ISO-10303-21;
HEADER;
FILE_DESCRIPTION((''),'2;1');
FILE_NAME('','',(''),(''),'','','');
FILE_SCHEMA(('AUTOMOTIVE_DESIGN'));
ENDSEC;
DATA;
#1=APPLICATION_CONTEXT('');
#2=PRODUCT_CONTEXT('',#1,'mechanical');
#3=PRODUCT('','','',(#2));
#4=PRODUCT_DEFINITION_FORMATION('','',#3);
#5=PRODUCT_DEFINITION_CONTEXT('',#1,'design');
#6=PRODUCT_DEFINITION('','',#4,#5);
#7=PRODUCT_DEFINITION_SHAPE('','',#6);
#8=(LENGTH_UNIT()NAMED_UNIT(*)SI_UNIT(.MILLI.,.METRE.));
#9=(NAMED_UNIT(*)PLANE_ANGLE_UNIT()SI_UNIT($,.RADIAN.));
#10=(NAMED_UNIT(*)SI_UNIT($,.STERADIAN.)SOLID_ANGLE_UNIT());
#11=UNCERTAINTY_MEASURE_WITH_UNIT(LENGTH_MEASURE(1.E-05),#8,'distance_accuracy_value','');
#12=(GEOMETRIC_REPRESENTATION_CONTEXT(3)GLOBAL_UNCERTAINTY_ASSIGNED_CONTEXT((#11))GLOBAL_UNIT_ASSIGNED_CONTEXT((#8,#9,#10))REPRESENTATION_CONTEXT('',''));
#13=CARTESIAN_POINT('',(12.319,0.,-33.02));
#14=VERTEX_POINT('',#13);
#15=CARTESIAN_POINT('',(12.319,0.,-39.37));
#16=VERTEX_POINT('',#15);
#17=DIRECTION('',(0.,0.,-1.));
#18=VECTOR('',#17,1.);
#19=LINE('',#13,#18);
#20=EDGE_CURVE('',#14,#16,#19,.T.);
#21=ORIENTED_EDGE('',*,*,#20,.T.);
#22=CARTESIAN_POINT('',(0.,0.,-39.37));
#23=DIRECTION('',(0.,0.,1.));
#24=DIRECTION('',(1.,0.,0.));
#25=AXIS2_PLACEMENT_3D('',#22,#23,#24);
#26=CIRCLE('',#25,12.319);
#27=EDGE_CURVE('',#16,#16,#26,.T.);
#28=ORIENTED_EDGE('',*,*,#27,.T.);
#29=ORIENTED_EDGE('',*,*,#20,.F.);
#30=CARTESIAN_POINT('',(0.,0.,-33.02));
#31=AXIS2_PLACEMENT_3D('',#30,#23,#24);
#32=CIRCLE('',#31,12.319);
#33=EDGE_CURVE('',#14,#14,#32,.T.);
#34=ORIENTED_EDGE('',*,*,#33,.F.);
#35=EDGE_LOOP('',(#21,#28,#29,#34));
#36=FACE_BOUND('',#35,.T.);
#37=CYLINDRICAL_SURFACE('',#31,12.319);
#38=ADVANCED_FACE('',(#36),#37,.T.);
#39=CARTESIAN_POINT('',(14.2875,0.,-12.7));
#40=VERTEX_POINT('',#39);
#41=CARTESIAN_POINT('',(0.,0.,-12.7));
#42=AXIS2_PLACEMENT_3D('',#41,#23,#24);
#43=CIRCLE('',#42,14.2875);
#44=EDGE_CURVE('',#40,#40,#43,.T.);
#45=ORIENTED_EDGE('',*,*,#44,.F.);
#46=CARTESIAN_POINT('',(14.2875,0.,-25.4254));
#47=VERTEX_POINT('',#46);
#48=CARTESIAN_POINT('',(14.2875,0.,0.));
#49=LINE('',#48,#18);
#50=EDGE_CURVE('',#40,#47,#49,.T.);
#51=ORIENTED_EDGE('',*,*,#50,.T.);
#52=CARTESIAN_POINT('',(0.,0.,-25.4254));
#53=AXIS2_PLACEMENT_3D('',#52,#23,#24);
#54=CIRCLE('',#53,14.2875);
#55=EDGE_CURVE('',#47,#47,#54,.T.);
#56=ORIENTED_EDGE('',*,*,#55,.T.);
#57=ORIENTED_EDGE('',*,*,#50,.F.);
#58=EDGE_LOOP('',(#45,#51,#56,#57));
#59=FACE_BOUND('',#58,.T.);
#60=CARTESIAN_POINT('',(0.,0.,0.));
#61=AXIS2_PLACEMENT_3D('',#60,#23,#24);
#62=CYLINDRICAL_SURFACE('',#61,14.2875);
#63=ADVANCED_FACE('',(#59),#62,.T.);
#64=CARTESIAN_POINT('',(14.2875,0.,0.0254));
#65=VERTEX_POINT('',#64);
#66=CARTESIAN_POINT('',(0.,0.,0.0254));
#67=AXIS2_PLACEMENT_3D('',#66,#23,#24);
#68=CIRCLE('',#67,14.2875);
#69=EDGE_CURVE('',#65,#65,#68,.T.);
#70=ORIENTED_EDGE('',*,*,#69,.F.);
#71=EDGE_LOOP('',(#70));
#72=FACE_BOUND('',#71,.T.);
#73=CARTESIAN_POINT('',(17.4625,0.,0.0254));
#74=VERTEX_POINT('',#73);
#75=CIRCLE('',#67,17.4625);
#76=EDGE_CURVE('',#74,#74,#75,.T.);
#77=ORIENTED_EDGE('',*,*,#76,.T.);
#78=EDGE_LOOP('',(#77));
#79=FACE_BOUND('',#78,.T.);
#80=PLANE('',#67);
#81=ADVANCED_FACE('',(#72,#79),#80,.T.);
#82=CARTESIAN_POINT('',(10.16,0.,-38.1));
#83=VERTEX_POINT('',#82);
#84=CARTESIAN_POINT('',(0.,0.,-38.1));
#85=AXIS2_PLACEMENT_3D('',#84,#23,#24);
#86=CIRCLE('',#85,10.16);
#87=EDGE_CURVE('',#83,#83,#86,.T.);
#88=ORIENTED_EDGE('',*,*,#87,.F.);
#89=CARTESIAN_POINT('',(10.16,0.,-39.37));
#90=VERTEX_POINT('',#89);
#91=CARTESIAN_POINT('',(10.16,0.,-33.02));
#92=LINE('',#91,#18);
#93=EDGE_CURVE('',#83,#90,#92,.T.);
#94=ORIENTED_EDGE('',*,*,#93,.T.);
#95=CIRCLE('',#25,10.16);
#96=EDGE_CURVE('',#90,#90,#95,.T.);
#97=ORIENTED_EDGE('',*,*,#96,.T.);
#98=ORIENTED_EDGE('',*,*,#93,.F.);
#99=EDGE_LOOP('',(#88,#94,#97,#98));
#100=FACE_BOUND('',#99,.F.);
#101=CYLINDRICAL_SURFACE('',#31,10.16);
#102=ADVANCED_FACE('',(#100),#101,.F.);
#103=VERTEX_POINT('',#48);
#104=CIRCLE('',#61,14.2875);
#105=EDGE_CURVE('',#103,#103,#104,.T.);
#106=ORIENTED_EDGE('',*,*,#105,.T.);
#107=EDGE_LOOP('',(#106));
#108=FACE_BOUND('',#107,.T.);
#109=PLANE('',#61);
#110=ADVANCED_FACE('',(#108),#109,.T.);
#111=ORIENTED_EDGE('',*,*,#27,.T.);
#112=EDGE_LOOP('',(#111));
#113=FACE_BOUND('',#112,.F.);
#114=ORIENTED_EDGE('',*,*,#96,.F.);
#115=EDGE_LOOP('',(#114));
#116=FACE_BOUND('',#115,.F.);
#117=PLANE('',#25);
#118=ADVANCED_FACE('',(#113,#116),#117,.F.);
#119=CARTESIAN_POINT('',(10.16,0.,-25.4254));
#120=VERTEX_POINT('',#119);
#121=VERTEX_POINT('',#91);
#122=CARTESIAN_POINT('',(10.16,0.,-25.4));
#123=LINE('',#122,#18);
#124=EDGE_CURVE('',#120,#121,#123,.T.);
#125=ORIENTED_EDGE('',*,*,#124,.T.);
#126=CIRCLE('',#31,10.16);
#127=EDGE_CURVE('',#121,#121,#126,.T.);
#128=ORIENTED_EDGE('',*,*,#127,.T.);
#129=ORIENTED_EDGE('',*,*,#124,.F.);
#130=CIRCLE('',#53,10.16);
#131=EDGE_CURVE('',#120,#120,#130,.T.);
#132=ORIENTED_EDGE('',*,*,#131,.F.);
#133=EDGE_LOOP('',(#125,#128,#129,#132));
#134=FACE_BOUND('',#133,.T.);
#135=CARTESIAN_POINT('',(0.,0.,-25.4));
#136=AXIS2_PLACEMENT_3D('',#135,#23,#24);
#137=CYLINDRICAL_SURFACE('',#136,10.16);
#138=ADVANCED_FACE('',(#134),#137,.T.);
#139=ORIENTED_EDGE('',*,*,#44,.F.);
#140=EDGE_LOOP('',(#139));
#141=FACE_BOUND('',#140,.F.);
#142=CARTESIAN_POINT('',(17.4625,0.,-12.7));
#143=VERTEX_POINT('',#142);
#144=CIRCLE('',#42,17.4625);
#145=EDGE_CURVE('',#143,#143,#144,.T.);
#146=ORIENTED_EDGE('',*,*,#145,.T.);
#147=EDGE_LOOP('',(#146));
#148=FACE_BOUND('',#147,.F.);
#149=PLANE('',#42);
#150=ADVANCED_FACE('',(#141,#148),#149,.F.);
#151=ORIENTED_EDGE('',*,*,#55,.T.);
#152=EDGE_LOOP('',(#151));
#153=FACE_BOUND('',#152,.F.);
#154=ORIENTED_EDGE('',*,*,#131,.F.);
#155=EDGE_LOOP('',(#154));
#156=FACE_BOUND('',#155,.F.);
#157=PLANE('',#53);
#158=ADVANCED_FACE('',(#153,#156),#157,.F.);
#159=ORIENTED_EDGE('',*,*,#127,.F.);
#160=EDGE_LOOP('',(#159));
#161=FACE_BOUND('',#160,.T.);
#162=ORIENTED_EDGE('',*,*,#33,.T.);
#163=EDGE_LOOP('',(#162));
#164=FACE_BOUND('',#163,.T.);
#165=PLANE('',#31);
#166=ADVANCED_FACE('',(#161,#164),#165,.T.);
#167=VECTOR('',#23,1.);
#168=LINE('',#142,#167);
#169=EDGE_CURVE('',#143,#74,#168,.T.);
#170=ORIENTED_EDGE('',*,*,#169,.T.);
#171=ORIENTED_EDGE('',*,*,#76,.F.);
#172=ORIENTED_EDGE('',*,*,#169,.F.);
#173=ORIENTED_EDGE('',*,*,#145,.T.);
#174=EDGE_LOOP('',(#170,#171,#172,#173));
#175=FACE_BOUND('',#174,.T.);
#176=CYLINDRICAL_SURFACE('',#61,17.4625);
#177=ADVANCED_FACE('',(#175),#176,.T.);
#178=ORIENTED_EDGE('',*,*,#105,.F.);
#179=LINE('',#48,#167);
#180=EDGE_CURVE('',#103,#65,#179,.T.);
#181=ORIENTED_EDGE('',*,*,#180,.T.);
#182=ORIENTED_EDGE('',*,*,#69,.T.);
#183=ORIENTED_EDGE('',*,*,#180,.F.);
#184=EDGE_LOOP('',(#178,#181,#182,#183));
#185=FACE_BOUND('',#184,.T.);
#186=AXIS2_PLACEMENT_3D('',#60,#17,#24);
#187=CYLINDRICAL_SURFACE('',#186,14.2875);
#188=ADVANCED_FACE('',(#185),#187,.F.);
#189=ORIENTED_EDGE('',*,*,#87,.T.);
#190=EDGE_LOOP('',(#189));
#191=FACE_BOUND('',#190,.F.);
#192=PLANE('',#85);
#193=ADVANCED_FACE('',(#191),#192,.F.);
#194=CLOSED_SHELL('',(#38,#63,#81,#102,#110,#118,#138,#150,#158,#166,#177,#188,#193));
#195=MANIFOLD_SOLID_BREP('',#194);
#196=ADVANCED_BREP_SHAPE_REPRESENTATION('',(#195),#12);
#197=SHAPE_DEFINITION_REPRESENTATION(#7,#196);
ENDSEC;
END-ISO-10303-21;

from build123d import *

# Parameters (mm, degrees)
F0_R          = 14.2875
F0_R_2        = 12.319
F0_R_3        = 10.16
F1_DEPTH      = 25.4254
F0_R_4        = 17.4625
F2_DEPTH      = 12.7
F2_DEPTH_BACK = 0.0254
F3_START      = -25.4
F3_DEPTH      = 12.7
F4_START      = -33.02
F4_DEPTH      = 6.35


with BuildPart() as f1:
    # F0 (on Top) → F1 (new body)
    with BuildSketch(Plane.XY):
        Circle(F0_R)
        Circle(F0_R_2, mode=Mode.SUBTRACT)
        Circle(F0_R_2)
        Circle(F0_R_3, mode=Mode.SUBTRACT)
        Circle(F0_R_3)
    extrude(amount=-F1_DEPTH)

    # F0 (on Top) → F2 (join, two sides)
    with BuildSketch(Plane.XY) as f2_sk:
        Circle(F0_R_4)
        Circle(F0_R, mode=Mode.SUBTRACT)
    extrude(amount=-F2_DEPTH)
    extrude(f2_sk.sketch, amount=F2_DEPTH_BACK)

    # F0 (on Top) → F3 (join)
    with BuildSketch(Plane.XY.offset(F3_START)):
        Circle(F0_R_3)
    extrude(amount=-F3_DEPTH)

    # F0 (on Top) → F4 (join)
    with BuildSketch(Plane.XY.offset(F4_START)):
        Circle(F0_R_2)
        Circle(F0_R_3, mode=Mode.SUBTRACT)
    extrude(amount=-F4_DEPTH)


solid = f1.part
